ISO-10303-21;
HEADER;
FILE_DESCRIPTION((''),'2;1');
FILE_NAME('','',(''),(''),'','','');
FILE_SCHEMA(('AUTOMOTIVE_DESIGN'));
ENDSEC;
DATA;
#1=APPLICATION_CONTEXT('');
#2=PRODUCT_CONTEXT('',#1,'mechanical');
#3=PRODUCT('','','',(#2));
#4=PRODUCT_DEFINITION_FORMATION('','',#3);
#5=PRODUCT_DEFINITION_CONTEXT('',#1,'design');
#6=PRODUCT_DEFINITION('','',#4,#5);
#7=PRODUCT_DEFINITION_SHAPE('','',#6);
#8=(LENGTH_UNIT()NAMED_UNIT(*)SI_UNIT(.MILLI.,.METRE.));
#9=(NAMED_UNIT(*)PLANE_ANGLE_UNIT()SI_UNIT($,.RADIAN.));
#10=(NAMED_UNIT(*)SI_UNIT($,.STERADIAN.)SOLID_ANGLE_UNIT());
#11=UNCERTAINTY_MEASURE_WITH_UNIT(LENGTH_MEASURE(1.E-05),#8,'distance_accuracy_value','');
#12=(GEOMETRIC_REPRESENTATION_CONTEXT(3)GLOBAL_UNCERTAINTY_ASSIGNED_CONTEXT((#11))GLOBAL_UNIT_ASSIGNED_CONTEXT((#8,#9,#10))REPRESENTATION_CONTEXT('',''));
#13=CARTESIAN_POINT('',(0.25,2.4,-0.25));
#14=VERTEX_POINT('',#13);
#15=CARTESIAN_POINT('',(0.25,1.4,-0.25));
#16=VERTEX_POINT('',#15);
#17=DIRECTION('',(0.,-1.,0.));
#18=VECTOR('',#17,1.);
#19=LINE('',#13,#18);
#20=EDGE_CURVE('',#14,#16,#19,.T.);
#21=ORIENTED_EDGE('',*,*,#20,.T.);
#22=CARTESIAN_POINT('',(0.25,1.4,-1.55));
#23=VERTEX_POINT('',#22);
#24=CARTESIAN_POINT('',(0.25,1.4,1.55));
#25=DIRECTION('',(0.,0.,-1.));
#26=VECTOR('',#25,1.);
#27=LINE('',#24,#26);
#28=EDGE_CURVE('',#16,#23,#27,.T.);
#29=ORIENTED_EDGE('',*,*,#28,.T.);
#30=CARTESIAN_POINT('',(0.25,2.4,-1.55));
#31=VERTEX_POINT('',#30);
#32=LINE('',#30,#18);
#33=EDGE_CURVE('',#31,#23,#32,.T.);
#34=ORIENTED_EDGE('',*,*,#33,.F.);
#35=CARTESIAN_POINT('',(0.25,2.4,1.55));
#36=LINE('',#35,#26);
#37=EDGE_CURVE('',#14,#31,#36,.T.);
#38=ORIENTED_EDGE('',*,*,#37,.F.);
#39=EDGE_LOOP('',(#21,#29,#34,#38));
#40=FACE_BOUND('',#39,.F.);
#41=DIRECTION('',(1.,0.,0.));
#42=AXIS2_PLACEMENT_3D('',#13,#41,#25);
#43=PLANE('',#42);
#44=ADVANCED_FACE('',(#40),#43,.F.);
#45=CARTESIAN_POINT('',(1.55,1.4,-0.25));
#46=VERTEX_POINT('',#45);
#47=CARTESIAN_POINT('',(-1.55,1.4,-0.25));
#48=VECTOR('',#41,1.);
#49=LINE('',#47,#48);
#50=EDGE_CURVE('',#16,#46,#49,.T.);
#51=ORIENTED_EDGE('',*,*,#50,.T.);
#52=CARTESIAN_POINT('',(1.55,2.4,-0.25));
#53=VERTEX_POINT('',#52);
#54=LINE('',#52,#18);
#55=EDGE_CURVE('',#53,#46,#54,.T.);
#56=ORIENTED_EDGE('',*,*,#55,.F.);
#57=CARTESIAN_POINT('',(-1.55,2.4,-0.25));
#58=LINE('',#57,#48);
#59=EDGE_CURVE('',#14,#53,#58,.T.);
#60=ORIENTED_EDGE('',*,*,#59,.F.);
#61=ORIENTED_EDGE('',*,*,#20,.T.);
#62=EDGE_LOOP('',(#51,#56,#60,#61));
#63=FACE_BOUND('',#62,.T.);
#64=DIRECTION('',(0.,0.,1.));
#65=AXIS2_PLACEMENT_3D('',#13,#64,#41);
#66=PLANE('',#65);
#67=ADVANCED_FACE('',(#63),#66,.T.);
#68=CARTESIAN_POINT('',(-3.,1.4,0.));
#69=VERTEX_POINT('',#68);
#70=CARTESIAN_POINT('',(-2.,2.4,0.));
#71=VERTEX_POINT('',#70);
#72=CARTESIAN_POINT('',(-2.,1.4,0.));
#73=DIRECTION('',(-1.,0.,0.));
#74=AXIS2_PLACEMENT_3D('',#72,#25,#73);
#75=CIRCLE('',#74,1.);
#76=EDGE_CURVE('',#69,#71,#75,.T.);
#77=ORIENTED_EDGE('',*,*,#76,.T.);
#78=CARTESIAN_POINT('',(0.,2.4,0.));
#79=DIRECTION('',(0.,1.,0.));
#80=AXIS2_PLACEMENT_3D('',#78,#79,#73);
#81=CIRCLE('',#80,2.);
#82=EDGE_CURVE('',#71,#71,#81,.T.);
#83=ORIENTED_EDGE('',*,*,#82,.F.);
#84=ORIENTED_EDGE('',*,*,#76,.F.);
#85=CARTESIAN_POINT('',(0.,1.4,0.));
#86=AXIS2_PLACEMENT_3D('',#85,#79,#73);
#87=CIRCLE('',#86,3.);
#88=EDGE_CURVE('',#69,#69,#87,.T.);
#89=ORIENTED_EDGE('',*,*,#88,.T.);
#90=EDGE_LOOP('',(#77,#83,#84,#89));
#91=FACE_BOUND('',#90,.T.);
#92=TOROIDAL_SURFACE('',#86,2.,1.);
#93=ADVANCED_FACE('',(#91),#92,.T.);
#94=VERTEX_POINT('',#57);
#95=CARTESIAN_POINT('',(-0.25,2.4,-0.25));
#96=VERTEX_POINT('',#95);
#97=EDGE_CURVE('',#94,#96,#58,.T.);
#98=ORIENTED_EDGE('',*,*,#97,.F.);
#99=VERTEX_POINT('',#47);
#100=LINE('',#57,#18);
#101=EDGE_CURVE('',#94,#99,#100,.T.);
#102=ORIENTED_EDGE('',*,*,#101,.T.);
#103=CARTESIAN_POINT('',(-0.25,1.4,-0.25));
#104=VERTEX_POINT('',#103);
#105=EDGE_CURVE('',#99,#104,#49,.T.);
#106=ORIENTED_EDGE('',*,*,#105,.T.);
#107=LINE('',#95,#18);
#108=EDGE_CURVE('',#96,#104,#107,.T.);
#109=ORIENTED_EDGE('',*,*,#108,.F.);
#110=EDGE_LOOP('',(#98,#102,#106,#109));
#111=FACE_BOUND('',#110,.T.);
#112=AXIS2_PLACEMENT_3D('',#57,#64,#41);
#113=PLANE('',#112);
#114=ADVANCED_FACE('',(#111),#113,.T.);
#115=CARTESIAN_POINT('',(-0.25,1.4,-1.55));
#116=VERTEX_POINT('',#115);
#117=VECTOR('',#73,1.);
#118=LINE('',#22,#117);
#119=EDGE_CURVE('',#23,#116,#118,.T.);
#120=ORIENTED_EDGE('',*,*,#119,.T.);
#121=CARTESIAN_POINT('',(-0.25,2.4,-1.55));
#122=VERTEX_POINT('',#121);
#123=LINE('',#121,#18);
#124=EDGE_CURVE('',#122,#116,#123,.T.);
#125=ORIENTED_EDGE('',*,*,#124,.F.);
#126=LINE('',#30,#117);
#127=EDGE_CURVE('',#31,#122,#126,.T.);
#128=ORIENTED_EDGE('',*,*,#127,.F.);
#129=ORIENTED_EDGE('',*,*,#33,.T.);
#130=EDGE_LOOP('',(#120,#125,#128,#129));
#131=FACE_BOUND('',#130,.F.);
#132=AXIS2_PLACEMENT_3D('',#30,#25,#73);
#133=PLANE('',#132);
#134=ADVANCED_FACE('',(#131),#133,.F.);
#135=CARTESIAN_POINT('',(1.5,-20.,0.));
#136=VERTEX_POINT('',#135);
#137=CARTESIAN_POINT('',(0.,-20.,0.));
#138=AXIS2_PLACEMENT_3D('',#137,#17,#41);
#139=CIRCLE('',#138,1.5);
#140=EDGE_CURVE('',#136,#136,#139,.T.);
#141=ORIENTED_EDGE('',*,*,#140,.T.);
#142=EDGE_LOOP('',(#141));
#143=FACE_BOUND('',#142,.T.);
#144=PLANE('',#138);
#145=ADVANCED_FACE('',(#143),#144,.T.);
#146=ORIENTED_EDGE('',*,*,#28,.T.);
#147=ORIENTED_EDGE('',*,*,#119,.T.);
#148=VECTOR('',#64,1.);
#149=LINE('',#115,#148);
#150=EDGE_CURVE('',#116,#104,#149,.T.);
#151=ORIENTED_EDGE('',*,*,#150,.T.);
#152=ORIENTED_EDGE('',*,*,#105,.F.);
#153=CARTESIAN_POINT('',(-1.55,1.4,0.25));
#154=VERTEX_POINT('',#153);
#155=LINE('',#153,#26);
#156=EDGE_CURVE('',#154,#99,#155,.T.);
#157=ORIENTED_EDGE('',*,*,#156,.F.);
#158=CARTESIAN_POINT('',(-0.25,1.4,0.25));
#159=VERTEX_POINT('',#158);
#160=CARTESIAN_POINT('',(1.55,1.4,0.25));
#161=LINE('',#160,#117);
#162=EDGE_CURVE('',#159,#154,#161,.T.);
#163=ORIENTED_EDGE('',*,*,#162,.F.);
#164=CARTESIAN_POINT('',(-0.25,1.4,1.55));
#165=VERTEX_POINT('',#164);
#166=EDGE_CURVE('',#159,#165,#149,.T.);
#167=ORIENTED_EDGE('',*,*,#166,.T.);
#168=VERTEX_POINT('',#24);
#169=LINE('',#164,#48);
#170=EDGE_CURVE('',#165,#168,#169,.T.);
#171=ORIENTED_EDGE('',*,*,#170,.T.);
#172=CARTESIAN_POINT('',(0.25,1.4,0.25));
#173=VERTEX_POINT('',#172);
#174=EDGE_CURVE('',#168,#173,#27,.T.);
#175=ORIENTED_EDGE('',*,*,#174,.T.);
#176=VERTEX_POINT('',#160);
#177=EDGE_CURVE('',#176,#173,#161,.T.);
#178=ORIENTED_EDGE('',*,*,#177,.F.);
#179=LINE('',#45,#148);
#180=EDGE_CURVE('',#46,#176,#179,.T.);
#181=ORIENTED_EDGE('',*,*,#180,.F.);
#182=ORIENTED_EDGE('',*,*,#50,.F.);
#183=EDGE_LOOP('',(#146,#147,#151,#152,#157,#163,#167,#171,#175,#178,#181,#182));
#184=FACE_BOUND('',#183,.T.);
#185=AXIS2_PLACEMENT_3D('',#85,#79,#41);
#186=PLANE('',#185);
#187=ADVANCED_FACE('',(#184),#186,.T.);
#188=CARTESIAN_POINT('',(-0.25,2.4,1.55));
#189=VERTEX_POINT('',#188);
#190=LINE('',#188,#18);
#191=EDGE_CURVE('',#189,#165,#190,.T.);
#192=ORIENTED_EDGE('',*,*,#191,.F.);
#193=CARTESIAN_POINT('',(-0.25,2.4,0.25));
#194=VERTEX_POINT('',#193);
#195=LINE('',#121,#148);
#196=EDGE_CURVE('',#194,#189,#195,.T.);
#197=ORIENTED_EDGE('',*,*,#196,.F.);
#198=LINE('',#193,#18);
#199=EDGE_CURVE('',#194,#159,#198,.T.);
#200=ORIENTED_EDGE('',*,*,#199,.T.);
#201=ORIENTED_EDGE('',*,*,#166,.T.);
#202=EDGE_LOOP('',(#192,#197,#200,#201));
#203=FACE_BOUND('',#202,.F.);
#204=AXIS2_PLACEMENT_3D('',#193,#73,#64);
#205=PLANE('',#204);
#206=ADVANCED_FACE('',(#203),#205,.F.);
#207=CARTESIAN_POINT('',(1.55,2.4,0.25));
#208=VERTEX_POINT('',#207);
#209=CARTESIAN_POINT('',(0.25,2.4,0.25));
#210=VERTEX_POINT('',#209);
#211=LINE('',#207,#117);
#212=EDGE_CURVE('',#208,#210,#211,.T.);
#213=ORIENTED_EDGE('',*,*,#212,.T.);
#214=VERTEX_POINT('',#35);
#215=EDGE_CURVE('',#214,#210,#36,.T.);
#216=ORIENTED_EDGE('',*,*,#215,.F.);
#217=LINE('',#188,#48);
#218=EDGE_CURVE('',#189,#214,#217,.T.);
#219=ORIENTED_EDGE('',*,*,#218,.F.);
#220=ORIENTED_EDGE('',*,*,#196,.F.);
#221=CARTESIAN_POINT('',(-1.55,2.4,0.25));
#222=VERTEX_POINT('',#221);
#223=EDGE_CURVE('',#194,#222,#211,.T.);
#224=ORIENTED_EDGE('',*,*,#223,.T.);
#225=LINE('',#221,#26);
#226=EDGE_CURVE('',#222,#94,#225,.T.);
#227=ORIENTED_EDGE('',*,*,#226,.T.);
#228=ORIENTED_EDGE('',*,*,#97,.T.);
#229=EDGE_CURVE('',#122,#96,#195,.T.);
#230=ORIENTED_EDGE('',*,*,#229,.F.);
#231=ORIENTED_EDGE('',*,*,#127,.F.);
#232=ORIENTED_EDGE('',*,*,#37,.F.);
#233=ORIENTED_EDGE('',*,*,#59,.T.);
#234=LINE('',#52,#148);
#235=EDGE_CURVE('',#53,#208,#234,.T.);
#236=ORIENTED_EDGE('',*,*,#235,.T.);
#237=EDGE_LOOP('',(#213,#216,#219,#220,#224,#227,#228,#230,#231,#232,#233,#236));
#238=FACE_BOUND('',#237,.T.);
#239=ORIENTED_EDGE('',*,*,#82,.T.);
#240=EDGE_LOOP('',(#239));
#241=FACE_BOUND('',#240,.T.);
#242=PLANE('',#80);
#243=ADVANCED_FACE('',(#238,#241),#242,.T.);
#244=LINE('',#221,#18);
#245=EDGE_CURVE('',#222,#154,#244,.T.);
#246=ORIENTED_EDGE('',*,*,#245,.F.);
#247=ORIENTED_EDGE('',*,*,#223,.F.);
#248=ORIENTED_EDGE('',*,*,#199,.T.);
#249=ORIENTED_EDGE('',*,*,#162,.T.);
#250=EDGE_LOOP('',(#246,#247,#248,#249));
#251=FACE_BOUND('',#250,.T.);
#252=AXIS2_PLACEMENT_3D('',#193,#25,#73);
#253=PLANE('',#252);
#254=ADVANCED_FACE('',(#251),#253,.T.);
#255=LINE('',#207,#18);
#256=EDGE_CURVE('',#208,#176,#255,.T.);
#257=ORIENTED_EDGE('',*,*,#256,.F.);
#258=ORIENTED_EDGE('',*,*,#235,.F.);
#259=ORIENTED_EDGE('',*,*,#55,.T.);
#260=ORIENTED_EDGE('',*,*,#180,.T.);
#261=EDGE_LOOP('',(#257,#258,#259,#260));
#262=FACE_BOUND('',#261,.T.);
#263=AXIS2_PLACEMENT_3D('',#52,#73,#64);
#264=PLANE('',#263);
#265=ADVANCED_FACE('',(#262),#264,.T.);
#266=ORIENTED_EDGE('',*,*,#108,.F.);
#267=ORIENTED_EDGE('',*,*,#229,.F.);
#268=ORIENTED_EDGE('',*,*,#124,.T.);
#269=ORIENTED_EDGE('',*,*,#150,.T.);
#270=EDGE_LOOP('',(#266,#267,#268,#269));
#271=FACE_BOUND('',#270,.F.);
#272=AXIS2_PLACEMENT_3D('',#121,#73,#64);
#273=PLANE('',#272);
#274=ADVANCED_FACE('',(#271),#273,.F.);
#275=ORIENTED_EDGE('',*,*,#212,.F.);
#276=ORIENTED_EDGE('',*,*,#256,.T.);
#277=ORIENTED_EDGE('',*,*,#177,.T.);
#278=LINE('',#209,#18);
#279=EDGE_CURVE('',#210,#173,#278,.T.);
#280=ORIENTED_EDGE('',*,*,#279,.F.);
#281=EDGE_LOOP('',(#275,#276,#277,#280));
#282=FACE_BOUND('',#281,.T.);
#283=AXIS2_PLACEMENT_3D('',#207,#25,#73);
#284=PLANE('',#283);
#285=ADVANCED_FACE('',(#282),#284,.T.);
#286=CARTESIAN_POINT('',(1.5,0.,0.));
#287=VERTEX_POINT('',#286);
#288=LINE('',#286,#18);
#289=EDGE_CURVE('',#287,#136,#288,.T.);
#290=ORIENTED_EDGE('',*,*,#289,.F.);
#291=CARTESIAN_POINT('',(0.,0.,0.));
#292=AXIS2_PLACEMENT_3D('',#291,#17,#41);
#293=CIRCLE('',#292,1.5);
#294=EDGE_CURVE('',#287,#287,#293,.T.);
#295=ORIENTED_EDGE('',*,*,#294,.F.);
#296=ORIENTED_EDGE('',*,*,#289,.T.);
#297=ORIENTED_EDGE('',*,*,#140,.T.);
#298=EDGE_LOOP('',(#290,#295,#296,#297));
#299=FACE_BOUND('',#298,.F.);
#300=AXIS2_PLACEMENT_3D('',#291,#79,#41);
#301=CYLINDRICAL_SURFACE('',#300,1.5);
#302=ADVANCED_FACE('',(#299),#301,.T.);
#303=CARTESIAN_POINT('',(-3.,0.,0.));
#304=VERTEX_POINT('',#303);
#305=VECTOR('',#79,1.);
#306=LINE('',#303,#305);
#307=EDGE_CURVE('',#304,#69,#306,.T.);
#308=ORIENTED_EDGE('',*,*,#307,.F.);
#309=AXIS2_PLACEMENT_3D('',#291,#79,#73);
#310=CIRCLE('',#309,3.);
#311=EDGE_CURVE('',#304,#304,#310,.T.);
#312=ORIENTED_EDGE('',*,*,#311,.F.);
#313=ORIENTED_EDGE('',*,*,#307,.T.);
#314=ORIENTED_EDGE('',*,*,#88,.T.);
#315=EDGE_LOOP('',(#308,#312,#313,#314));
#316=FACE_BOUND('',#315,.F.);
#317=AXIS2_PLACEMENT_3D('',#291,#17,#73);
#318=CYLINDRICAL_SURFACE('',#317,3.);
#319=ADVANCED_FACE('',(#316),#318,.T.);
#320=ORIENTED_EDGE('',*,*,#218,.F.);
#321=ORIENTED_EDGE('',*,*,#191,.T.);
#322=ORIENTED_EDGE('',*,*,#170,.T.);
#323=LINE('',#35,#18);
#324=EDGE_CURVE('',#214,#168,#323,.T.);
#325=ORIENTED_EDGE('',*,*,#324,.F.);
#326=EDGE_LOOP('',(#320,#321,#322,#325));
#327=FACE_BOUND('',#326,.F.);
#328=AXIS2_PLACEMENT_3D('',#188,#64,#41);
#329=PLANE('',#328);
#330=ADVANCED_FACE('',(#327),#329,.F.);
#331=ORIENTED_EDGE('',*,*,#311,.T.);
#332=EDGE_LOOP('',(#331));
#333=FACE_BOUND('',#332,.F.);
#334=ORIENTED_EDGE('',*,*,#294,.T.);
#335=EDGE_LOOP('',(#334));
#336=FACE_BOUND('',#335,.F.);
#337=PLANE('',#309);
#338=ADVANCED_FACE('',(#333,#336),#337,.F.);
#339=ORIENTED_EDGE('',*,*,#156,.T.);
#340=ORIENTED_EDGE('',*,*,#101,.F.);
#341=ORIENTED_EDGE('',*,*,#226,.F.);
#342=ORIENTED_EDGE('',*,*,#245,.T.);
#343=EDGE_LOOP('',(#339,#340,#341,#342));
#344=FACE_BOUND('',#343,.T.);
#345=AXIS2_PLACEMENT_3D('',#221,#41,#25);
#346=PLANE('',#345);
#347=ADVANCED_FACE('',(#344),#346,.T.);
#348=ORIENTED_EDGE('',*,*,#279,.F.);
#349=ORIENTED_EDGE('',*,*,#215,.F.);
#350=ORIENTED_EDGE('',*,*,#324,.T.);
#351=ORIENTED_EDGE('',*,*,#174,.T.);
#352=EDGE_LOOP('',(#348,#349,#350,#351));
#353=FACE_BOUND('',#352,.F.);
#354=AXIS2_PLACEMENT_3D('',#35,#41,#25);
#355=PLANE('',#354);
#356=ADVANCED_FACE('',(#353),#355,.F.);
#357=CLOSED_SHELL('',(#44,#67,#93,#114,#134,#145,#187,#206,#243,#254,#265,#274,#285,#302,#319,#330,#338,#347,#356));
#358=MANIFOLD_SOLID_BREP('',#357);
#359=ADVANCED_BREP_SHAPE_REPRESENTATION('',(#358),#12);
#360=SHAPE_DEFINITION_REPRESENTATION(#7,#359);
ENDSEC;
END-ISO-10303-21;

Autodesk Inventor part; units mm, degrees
ref_plane "YZ Plane" through (0, 0, 0) normal (1, 0, 0) x (0, 1, 0)
ref_plane "XZ Plane" through (0, 0, 0) normal (0, 1, 0) x (-1, 0, 0)
ref_plane "XY Plane" through (0, 0, 0) normal (0, 0, 1) x (1, 0, 0)
sketch "Sketch1" plane through (0, 0, 0) normal (0, 1, 0) x (-1, 0, 0)
  circle A0 centre (0, 0) radius 3
  dimension "d0" = 6
extrude "Extrusion1" add sketch "Sketch1" along normal blind 2.4
sketch "Sketch2" plane through (0, 2.4, 0) normal (0, 1, 0) x (1, 0, 0)
  line L0 (-1.55, 0.25) -> (1.55, 0.25)
  line L1 (1.55, 0.25) -> (1.55, -0.25)
  line L2 (1.55, -0.25) -> (-1.55, -0.25)
  line L3 (-1.55, -0.25) -> (-1.55, 0.25)
  line L4 (-0.25, -1.55) -> (0.25, -1.55)
  line L5 (0.25, -1.55) -> (0.25, 1.55)
  line L6 (0.25, 1.55) -> (-0.25, 1.55)
  line L7 (-0.25, 1.55) -> (-0.25, -1.55)
  point P0 (0, 0)
  dimension "d5" = 3.1
  dimension "d6" = 0.5
  dimension "d9" = 0.5
  dimension "d10" = 3.1
extrude "Extrusion2" cut sketch "Sketch2" against normal blind 1
fillet "Fillet1" radius 1 1 edges at (3, 2.4, 0)
sketch "Sketch3" plane through (0, 0, 0) normal (0, -1, 0) x (1, 0, 0)
  circle A0 centre (0, 0) radius 1.5
  dimension "d14" = 3
extrude "Extrusion3" add sketch "Sketch3" along normal blind 20
thread "Thread1" size "M3x0.5" class "6g" standard "ANSI Metric M Profile" full length
properties part number "m3 20mm screw"
